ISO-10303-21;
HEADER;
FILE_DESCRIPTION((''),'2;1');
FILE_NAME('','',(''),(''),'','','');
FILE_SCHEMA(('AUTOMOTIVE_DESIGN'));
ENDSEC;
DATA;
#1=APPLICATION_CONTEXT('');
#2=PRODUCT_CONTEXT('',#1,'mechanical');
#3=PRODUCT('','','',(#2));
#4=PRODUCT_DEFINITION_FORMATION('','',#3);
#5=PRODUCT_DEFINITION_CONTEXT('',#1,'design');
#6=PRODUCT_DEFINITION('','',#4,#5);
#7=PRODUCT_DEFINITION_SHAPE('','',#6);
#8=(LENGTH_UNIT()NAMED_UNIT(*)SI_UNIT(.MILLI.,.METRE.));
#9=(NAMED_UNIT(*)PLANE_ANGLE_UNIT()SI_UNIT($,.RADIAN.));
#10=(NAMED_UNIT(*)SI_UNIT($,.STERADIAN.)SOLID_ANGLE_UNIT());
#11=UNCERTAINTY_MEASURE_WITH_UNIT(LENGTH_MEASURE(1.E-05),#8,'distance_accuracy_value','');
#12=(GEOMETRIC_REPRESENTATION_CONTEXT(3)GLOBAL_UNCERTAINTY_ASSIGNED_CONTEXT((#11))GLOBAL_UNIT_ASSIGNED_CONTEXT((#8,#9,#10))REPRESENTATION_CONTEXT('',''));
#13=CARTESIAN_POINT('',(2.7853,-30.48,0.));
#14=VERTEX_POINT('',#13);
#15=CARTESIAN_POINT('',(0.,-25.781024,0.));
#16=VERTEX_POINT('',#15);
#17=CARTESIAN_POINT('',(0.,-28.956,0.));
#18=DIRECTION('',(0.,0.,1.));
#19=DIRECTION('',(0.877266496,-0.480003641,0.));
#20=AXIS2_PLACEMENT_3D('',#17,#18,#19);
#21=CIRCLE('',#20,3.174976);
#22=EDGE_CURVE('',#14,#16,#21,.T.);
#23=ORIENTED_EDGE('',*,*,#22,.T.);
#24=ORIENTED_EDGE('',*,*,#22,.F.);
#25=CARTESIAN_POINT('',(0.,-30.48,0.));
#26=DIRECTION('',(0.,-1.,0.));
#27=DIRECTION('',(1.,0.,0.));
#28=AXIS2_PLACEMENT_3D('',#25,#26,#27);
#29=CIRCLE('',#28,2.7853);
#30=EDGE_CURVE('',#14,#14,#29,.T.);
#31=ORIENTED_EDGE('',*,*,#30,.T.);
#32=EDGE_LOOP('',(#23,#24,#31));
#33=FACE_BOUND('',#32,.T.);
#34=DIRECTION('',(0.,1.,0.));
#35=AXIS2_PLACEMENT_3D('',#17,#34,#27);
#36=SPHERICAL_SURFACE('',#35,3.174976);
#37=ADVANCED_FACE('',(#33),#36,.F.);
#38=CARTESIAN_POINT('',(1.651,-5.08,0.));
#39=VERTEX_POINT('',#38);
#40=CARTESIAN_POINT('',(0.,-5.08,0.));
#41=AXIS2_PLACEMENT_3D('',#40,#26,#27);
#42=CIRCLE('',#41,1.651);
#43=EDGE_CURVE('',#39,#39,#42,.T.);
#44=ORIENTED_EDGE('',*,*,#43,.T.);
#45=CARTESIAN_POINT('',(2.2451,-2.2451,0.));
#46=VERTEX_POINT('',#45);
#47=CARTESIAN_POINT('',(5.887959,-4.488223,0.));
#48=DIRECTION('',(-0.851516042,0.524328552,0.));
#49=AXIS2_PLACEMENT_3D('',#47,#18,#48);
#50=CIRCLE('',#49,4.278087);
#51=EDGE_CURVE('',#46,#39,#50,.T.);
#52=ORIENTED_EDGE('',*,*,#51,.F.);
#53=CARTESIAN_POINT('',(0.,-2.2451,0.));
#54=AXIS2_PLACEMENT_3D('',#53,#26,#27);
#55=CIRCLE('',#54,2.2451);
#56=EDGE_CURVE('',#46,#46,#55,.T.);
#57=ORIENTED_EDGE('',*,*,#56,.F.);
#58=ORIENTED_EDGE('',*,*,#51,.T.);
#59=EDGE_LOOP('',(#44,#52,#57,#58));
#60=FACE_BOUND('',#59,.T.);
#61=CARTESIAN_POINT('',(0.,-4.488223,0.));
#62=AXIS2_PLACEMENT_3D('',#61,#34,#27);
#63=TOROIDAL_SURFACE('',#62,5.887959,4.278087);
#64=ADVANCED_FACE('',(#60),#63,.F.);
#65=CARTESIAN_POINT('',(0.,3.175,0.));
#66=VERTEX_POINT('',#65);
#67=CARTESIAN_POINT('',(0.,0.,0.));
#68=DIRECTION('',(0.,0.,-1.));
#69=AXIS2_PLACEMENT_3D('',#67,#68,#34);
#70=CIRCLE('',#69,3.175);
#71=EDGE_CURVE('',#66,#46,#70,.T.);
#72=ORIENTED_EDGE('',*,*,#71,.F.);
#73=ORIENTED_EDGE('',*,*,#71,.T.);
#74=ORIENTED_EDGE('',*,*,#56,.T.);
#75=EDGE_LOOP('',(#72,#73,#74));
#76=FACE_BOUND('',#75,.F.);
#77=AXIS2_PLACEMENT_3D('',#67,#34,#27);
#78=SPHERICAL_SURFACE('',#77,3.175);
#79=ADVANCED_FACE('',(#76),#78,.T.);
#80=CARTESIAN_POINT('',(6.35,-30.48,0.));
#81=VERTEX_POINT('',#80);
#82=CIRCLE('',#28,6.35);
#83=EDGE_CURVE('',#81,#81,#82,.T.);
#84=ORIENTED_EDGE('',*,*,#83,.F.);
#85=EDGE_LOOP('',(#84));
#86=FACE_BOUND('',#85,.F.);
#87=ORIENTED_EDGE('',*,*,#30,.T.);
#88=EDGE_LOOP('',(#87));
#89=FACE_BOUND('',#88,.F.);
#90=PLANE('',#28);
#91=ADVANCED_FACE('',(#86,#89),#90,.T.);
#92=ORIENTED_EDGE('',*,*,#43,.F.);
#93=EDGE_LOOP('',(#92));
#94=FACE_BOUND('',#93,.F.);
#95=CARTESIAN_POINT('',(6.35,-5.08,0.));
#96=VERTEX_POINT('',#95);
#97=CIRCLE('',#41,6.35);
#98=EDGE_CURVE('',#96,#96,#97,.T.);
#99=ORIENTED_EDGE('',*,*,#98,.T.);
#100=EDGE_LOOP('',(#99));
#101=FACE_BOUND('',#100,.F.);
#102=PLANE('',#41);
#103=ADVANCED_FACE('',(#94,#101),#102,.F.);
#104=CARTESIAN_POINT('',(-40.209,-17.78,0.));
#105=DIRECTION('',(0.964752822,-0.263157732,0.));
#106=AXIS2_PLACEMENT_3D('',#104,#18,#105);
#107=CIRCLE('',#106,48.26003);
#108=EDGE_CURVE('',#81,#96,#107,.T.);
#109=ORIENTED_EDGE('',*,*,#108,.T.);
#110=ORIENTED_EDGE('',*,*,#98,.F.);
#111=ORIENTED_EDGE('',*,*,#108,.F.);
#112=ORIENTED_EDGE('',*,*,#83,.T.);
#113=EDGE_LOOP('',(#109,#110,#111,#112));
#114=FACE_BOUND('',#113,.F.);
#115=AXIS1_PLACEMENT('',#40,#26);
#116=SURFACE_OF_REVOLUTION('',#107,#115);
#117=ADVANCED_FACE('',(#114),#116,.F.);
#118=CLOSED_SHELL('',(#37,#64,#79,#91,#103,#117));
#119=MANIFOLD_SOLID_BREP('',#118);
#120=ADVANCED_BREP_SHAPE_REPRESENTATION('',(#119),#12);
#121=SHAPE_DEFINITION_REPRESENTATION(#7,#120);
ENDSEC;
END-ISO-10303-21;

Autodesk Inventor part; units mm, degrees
ref_plane "YZ Plane" through (0, 0, 0) normal (1, 0, 0) x (0, 1, 0)
ref_plane "XZ Plane" through (0, 0, 0) normal (0, 1, 0) x (-1, 0, 0)
ref_plane "XY Plane" through (0, 0, 0) normal (0, 0, 1) x (1, 0, 0)
sketch "Sketch1" plane through (0, 0, 0) normal (0, 0, 1) x (1, 0, 0)
  circle A0 centre (0, 0) radius 3.175
  line L0 (0, 0) -> (-2.2451, -2.2451)
  line L1 (0, 0) -> (2.2451, -2.2451)
  line L2 (0, 0) -> (3.175, 0)
  line L3 (0, 0) -> (0, -5.08)
  line L4 (0, -5.08) -> (1.651, -5.08)
  line L5 (1.651, -5.08) -> (-1.524, -5.08)
  arc A1 (-1.524, -5.08) -> (-2.2451, -2.2451) centre (-5.7114, -4.6359) ccw
  arc A2 (2.2451, -2.2451) -> (1.651, -5.08) centre (5.8874, -4.488) ccw
  line L6 (0, -5.08) -> (0, 3.175)
  line L7 (0, -5.08) -> (0, -30.48)
  line L8 (6.35, -30.48) -> (6.35, -5.08)
  line L9 (6.35, -5.08) -> (-6.35, -5.08)
  line L10 (-6.35, -5.08) -> (-6.35, -30.48)
  line L11 (-6.35, -30.48) -> (6.35, -5.08) construction
  line L12 (6.35, -30.48) -> (-6.35, -5.08) construction
  line L13 (0, -30.48) -> (0, -28.956)
  arc A3 (2.7853, -30.48) -> (-2.7853, -30.48) centre (0, -28.956) ccw
  line L14 (-6.35, -30.48) -> (-2.7853, -30.48)
  line L15 (2.7853, -30.48) -> (6.35, -30.48)
  arc A4 (6.35, -30.48) -> (6.35, -5.08) centre (-40.209, -17.78) ccw
  arc A5 (-6.35, -5.08) -> (-6.35, -30.48) centre (40.209, -17.78) ccw
  point P0 (0, -17.78)
  point P1 (0, -25.781)
  dimension "d0" = 6.35
  dimension "d1" = 90
  dimension "d2" = 45
  dimension "d3" = 5.08
  dimension "d6" = 25.4
  dimension "d7" = 12.7
  dimension "d8" = 1.524
  dimension "d9" = 6.35
  dimension "d11" = 48.26
  dimension "d12" = 48.26
revolve "Revolution1" add sketch "Sketch1" angle 360 about axis through (0, -5.08, 0) along (0, -1, 0) contours L2 L6 A0 | A0 L1 L2 | A2 L4 L3 A0 | A0 L3 L1 | L9 L8 L15 A3 L7 L4 | A4 L8
sketch "Sketch2" plane through (0, -30.48, 0) normal (0, -1, 0) x (1, 0, 0)
  circle A0 centre (0, 0) radius 6.35
  dimension "d15" = 12.7
properties part number "Tentalce Part"
